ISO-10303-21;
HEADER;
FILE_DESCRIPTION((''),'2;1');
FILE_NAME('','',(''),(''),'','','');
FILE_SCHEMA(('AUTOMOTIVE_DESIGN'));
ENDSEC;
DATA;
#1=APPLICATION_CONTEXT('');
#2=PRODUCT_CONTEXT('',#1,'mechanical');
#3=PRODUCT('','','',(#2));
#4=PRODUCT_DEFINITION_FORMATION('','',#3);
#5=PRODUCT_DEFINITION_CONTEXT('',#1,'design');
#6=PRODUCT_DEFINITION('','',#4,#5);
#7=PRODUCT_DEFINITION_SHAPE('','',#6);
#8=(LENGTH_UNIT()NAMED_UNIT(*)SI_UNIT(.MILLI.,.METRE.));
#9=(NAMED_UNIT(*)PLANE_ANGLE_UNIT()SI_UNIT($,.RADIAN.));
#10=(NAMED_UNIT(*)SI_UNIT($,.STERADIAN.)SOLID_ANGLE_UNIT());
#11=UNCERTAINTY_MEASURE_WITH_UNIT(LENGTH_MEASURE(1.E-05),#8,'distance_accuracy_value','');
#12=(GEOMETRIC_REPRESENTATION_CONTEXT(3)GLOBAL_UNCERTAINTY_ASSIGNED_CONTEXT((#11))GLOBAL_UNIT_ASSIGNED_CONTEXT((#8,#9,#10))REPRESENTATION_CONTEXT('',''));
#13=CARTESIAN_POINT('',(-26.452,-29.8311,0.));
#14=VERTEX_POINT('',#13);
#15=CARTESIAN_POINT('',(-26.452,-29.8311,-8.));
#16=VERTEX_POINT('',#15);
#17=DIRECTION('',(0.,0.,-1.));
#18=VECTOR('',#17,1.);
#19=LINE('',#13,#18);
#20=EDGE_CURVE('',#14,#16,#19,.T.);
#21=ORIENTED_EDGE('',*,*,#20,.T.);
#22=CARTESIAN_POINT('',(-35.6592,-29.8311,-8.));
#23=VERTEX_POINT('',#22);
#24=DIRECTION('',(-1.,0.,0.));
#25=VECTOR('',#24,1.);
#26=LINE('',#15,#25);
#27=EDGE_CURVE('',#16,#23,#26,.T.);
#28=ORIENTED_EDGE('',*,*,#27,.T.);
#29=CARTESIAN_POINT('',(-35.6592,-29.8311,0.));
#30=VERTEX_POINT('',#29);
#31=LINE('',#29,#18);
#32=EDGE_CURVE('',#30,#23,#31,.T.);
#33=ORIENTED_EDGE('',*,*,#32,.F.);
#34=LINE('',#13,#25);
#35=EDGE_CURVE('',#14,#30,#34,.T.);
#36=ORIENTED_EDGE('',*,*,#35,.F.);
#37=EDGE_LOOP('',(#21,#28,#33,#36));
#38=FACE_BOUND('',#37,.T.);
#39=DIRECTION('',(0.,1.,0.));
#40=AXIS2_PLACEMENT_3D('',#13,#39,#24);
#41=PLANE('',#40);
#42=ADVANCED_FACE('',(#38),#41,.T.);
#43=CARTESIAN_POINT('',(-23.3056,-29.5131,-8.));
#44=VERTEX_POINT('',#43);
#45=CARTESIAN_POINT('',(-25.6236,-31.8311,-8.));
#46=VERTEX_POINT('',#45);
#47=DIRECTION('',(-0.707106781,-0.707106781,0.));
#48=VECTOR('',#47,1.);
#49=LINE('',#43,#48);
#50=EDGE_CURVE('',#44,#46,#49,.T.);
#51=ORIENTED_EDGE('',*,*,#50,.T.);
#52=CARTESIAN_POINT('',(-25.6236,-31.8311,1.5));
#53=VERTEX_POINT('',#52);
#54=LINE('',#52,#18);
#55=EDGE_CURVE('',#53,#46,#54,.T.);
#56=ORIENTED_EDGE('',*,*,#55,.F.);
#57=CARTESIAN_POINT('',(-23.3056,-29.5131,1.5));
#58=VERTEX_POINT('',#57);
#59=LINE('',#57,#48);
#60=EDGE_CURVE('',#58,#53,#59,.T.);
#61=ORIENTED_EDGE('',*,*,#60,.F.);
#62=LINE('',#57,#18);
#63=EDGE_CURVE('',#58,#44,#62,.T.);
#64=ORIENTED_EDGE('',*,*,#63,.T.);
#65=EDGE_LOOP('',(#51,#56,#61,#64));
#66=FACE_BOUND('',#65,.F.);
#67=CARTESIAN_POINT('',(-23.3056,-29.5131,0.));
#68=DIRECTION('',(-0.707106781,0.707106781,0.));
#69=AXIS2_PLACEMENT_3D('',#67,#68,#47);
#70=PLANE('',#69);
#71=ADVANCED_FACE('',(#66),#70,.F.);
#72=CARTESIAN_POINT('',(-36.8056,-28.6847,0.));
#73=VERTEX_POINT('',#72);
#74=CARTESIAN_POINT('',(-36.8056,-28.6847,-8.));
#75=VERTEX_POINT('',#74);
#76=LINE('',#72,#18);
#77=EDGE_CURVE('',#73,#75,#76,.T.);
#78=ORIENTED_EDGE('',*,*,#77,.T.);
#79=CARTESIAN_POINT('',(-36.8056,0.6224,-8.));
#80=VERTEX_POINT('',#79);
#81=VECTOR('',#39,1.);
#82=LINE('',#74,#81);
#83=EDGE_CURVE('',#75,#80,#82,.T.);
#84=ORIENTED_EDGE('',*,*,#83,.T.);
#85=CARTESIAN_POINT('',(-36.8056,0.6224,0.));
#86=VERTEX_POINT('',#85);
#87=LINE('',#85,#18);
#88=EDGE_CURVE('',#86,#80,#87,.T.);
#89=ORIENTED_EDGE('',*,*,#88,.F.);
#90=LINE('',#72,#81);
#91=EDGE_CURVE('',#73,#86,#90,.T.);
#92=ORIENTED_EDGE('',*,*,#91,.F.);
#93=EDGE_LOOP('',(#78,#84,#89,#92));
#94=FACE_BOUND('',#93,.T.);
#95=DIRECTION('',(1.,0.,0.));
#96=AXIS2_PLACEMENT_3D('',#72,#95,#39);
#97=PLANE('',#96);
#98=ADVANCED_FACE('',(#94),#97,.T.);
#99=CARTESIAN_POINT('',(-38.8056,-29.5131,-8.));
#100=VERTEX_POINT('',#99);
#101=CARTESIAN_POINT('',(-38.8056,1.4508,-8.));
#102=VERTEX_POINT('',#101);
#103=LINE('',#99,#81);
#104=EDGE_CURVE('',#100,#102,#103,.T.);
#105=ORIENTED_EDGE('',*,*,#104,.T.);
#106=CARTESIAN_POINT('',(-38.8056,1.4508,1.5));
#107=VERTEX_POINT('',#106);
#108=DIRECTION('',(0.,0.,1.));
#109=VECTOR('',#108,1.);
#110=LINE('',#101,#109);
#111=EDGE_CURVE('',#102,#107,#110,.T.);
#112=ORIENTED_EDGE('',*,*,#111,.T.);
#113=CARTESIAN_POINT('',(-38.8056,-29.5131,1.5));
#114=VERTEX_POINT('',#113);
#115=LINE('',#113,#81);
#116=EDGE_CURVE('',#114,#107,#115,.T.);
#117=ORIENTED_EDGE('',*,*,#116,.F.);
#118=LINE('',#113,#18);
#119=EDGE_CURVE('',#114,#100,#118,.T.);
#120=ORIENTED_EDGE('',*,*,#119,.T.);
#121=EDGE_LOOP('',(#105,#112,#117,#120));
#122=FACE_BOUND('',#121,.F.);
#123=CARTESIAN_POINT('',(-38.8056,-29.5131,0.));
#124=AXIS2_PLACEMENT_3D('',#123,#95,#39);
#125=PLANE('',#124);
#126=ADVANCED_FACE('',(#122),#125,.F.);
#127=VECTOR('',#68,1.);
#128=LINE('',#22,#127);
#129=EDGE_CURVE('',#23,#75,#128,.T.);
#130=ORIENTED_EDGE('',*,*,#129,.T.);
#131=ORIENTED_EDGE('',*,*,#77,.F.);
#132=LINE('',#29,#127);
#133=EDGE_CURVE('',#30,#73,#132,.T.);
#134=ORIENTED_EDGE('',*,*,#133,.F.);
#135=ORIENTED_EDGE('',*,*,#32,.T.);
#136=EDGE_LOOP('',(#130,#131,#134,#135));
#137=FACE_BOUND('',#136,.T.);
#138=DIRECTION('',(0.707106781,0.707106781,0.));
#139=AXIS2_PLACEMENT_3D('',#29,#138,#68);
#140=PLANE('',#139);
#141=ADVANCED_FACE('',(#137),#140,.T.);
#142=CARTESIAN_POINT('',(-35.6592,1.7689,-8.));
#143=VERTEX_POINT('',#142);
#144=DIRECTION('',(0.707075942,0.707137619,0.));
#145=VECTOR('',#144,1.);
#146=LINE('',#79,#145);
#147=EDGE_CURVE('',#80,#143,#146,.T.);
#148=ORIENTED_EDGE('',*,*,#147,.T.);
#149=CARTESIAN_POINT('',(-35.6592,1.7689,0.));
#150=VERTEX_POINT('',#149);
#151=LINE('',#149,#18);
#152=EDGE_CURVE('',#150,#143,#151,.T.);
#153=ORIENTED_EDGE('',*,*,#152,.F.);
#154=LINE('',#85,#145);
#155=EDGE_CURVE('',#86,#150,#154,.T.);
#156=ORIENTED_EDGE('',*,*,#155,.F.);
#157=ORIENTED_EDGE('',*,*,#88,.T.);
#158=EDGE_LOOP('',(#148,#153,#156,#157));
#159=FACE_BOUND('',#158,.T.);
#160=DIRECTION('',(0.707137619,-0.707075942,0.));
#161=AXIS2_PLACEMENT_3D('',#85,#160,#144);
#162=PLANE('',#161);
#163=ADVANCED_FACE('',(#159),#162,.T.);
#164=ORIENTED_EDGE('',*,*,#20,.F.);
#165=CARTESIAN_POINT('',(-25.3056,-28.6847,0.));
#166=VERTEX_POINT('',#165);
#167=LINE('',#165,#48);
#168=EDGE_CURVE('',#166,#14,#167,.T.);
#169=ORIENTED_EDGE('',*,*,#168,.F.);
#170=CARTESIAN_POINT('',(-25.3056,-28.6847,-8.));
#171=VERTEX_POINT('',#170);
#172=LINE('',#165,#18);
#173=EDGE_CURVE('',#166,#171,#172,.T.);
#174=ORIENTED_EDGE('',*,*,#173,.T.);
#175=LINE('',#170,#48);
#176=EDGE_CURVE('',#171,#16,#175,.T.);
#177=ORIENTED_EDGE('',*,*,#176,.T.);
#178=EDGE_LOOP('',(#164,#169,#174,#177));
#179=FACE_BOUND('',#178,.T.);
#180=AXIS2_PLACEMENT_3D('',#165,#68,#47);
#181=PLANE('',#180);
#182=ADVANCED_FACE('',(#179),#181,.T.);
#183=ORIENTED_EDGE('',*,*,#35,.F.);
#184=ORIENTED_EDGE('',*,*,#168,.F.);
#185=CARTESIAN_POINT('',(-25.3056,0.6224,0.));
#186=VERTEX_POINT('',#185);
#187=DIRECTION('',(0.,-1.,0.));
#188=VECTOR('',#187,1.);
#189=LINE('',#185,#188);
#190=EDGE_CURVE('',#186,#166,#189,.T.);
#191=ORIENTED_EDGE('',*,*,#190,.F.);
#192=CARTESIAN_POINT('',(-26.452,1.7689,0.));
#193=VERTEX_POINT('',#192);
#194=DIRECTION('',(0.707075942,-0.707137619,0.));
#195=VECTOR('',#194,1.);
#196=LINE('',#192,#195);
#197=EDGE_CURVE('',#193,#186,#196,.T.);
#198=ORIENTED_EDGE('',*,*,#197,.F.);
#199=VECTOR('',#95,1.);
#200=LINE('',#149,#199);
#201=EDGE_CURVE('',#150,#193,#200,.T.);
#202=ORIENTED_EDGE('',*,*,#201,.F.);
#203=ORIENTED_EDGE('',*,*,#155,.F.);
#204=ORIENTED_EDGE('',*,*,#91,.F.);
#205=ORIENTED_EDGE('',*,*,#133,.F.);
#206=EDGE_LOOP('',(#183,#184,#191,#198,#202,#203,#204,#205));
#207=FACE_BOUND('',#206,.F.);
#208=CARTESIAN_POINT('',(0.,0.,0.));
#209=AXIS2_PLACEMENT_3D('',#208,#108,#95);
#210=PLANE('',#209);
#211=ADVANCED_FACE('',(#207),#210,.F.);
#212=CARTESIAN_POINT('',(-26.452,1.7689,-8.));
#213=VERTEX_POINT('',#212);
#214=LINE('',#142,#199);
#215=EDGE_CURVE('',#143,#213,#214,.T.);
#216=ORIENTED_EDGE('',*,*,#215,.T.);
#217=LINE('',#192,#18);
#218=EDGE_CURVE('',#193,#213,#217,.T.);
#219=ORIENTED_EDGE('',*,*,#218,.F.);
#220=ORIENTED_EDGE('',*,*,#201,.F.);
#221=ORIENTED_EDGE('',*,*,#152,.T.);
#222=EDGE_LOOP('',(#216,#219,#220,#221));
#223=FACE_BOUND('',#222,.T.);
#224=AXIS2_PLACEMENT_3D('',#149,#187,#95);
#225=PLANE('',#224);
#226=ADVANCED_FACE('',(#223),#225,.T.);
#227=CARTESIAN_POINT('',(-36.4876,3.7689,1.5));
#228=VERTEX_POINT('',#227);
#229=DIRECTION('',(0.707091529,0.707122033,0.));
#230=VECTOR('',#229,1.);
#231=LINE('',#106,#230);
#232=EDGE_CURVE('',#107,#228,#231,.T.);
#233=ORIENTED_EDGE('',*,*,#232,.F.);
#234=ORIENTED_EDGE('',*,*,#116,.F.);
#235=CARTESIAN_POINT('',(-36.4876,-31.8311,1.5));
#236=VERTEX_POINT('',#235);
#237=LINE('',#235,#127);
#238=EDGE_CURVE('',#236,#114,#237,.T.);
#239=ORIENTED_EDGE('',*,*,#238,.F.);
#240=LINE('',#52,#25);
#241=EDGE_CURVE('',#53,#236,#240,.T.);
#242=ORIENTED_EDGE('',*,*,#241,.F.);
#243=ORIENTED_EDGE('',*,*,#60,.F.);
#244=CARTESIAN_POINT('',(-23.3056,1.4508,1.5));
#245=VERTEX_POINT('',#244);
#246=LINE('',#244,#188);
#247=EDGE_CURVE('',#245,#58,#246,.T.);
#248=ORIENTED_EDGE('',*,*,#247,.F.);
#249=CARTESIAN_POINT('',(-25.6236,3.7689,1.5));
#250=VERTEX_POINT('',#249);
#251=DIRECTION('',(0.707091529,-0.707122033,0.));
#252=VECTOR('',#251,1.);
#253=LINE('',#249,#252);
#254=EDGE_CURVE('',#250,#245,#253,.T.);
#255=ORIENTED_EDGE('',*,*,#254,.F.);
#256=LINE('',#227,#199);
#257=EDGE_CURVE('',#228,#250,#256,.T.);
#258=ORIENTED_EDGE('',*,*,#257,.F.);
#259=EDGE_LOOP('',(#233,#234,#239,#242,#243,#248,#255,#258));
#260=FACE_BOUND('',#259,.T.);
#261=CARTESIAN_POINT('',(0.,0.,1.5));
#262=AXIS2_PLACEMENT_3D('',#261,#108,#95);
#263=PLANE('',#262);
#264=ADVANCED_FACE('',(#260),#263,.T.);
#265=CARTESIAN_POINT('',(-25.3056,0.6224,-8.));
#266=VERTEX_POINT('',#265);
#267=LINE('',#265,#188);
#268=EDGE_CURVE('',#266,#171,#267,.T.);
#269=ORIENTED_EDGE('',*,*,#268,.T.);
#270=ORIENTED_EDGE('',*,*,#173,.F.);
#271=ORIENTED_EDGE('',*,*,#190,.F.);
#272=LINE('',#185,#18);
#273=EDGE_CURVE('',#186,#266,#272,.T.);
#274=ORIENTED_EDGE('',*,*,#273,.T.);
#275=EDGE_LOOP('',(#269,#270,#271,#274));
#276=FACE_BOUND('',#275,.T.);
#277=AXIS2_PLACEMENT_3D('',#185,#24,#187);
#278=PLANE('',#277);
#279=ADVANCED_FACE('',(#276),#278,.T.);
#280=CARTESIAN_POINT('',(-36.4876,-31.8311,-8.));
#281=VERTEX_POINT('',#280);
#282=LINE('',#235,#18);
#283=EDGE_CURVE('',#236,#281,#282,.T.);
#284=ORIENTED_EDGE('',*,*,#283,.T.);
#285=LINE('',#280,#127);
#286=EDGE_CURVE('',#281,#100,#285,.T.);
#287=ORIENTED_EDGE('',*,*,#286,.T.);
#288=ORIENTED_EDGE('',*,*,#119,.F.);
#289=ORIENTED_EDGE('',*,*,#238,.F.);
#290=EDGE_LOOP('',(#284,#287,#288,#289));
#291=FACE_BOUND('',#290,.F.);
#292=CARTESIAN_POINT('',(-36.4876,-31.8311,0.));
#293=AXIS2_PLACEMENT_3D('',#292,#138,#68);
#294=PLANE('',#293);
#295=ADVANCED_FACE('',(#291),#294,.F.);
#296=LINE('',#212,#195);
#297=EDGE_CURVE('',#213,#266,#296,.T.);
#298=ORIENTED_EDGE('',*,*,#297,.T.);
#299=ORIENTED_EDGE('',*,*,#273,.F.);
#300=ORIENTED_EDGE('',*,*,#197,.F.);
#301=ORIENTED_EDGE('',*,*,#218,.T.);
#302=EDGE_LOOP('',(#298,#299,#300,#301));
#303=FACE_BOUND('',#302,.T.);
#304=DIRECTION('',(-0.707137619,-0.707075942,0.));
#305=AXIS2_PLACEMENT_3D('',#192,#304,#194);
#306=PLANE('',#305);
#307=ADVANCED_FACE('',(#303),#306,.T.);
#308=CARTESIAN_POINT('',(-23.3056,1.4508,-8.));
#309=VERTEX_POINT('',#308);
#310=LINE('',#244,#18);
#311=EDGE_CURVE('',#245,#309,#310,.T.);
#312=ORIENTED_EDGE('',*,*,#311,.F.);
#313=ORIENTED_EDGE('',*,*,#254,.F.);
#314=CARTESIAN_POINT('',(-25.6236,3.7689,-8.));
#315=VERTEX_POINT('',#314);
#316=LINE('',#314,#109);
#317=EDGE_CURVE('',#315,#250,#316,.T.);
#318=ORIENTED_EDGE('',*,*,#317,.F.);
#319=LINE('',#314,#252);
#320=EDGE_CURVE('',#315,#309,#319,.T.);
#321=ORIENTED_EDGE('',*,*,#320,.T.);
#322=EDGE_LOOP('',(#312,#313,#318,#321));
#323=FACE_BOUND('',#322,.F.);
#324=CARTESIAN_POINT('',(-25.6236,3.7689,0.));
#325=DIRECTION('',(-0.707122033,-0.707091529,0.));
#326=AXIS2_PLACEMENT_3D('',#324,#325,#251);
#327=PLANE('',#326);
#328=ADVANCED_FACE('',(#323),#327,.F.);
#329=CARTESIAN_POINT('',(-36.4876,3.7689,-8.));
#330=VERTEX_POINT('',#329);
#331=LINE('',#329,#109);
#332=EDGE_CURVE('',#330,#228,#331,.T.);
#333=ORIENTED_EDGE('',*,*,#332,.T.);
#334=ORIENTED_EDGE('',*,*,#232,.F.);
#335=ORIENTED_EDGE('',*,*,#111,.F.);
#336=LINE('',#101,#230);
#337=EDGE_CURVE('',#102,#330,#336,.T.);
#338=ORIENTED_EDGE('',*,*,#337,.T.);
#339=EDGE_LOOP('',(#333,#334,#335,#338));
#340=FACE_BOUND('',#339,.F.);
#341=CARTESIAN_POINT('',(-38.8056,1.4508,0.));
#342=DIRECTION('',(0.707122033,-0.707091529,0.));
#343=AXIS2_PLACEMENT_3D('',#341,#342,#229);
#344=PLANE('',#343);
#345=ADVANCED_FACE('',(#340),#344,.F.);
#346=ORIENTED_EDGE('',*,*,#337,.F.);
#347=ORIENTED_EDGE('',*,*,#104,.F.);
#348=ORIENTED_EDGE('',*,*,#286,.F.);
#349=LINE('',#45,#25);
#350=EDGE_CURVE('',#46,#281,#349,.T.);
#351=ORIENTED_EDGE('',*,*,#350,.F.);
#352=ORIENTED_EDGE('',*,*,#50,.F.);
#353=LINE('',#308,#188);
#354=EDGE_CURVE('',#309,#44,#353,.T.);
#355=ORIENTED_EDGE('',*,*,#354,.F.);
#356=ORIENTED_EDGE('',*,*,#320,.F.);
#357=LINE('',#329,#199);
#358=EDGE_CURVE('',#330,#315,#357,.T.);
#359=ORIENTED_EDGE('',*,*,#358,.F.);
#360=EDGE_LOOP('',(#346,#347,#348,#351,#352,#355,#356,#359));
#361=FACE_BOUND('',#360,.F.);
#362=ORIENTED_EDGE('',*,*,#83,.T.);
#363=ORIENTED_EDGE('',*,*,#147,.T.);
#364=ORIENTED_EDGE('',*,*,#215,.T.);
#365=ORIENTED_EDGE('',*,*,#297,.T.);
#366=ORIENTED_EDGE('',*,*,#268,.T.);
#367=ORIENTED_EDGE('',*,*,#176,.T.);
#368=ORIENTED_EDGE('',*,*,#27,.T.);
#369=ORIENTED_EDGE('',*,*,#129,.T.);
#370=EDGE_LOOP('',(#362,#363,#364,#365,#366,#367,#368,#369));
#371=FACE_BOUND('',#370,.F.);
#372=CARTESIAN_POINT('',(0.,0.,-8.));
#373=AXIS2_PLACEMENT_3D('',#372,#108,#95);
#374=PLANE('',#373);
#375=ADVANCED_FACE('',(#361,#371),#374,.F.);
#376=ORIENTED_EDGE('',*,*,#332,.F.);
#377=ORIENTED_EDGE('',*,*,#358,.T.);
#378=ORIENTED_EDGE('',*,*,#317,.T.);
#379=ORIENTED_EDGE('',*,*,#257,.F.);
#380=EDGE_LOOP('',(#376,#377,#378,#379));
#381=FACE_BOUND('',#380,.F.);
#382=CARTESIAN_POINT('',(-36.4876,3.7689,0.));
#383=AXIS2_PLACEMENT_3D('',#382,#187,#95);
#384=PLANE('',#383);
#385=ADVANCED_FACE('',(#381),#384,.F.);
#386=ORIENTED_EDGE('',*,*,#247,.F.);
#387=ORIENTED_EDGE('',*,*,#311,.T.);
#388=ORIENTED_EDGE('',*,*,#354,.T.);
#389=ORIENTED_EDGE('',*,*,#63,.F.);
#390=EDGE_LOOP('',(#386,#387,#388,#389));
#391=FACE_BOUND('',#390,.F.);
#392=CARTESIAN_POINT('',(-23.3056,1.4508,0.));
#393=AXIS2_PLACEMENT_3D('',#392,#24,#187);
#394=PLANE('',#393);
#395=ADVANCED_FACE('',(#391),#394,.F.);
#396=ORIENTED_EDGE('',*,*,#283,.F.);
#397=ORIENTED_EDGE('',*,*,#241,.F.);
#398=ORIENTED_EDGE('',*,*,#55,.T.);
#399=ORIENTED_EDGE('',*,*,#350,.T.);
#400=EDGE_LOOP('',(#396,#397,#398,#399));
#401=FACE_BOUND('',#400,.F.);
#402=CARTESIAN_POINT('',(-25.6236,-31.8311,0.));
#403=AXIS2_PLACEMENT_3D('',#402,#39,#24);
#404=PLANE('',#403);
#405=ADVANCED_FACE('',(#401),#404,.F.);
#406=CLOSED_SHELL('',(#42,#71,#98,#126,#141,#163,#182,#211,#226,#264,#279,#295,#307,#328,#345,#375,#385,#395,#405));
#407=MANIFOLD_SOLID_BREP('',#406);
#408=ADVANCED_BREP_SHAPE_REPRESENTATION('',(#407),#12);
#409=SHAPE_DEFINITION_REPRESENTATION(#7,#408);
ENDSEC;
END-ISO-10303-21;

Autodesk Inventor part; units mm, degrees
ref_plane "YZ Plane" through (0, 0, 0) normal (1, 0, 0) x (0, 1, 0)
ref_plane "XZ Plane" through (0, 0, 0) normal (0, 1, 0) x (-1, 0, 0)
ref_plane "XY Plane" through (0, 0, 0) normal (0, 0, 1) x (1, 0, 0)
sketch "Sketch1" plane through (0, 0, 0) normal (0, 0, 1) x (1, 0, 0)
  line L0 (-35.5556, 1.5189) -> (-26.5556, 1.5189)
  line L1 (-25.5556, 0.5189) -> (-25.5556, -28.5811)
  line L2 (-26.5556, -29.5811) -> (-35.5556, -29.5811)
  line L3 (-36.5556, -28.5811) -> (-36.5556, 0.5189)
  line L4 (-35.5556, 1.5189) -> (-36.5556, 0.5189)
  line L5 (-25.5556, 0.5189) -> (-26.5556, 1.5189)
  line L6 (-25.5556, -28.5811) -> (-26.5556, -29.5811)
  line L7 (-35.5556, -29.5811) -> (-36.5556, -28.5811)
  line L8 (-26.452, 1.7689) -> (-25.3056, 0.6224)
  line L9 (-25.3056, 0.6224) -> (-25.3056, -28.6847)
  line L10 (-25.3056, -28.6847) -> (-26.452, -29.8311)
  line L11 (-26.452, -29.8311) -> (-35.6592, -29.8311)
  line L12 (-35.6592, -29.8311) -> (-36.8056, -28.6847)
  line L13 (-36.8056, -28.6847) -> (-36.8056, 0.6224)
  line L14 (-36.8056, 0.6224) -> (-35.6592, 1.7689)
  line L15 (-35.6592, 1.7689) -> (-26.452, 1.7689)
  line L16 (-25.6236, 3.7689) -> (-23.3056, 1.4508)
  line L17 (-23.3056, 1.4508) -> (-23.3056, -29.5131)
  line L18 (-23.3056, -29.5131) -> (-25.6236, -31.8311)
  line L19 (-25.6236, -31.8311) -> (-36.4876, -31.8311)
  line L20 (-36.4876, -31.8311) -> (-38.8056, -29.5131)
  line L21 (-38.8056, -29.5131) -> (-38.8056, 1.4508)
  line L22 (-38.8056, 1.4508) -> (-36.4876, 3.7689)
  line L23 (-36.4876, 3.7689) -> (-25.6236, 3.7689)
  point P0 (0, 0)
  point P1 (-36.5556, 1.5189)
  point P2 (-25.5556, -29.5811)
  point P3 (-25.5556, 1.5189)
  point P4 (-36.5556, -29.5811)
  dimension "d0" = 31.1
  dimension "d1" = 11
  dimension "d2" = 1
  dimension "d3" = 1
  dimension "d4" = 1
  dimension "d5" = 1
  dimension "d6" = 1
  dimension "d7" = 1
  dimension "d8" = 1
  dimension "d9" = 1
  dimension "d10" = 0.25
  dimension "d11" = 2
extrude "Extrusion1" add sketch "Sketch1" along normal blind 1.5 contours L0 L5 L1 L6 L2 L7 L3 L4 | L8 L9 L10 L11 L12 L13 L14 L15 | L16 L17 L18 L19 L20 L21 L22 L23
extrude "Extrusion2" add sketch "Sketch1" against normal blind 8 contours L16 L17 L18 L19 L20 L21 L22 L23
equation "\"d3\" = d2"
equation "\"d4\" = d2"
equation "\"d5\" = d4"
equation "\"d6\" = d2"
equation "\"d7\" = d6"
equation "\"d8\" = d2"
equation "\"d9\" = d8"
properties part number "CattailShellMockup_01"
